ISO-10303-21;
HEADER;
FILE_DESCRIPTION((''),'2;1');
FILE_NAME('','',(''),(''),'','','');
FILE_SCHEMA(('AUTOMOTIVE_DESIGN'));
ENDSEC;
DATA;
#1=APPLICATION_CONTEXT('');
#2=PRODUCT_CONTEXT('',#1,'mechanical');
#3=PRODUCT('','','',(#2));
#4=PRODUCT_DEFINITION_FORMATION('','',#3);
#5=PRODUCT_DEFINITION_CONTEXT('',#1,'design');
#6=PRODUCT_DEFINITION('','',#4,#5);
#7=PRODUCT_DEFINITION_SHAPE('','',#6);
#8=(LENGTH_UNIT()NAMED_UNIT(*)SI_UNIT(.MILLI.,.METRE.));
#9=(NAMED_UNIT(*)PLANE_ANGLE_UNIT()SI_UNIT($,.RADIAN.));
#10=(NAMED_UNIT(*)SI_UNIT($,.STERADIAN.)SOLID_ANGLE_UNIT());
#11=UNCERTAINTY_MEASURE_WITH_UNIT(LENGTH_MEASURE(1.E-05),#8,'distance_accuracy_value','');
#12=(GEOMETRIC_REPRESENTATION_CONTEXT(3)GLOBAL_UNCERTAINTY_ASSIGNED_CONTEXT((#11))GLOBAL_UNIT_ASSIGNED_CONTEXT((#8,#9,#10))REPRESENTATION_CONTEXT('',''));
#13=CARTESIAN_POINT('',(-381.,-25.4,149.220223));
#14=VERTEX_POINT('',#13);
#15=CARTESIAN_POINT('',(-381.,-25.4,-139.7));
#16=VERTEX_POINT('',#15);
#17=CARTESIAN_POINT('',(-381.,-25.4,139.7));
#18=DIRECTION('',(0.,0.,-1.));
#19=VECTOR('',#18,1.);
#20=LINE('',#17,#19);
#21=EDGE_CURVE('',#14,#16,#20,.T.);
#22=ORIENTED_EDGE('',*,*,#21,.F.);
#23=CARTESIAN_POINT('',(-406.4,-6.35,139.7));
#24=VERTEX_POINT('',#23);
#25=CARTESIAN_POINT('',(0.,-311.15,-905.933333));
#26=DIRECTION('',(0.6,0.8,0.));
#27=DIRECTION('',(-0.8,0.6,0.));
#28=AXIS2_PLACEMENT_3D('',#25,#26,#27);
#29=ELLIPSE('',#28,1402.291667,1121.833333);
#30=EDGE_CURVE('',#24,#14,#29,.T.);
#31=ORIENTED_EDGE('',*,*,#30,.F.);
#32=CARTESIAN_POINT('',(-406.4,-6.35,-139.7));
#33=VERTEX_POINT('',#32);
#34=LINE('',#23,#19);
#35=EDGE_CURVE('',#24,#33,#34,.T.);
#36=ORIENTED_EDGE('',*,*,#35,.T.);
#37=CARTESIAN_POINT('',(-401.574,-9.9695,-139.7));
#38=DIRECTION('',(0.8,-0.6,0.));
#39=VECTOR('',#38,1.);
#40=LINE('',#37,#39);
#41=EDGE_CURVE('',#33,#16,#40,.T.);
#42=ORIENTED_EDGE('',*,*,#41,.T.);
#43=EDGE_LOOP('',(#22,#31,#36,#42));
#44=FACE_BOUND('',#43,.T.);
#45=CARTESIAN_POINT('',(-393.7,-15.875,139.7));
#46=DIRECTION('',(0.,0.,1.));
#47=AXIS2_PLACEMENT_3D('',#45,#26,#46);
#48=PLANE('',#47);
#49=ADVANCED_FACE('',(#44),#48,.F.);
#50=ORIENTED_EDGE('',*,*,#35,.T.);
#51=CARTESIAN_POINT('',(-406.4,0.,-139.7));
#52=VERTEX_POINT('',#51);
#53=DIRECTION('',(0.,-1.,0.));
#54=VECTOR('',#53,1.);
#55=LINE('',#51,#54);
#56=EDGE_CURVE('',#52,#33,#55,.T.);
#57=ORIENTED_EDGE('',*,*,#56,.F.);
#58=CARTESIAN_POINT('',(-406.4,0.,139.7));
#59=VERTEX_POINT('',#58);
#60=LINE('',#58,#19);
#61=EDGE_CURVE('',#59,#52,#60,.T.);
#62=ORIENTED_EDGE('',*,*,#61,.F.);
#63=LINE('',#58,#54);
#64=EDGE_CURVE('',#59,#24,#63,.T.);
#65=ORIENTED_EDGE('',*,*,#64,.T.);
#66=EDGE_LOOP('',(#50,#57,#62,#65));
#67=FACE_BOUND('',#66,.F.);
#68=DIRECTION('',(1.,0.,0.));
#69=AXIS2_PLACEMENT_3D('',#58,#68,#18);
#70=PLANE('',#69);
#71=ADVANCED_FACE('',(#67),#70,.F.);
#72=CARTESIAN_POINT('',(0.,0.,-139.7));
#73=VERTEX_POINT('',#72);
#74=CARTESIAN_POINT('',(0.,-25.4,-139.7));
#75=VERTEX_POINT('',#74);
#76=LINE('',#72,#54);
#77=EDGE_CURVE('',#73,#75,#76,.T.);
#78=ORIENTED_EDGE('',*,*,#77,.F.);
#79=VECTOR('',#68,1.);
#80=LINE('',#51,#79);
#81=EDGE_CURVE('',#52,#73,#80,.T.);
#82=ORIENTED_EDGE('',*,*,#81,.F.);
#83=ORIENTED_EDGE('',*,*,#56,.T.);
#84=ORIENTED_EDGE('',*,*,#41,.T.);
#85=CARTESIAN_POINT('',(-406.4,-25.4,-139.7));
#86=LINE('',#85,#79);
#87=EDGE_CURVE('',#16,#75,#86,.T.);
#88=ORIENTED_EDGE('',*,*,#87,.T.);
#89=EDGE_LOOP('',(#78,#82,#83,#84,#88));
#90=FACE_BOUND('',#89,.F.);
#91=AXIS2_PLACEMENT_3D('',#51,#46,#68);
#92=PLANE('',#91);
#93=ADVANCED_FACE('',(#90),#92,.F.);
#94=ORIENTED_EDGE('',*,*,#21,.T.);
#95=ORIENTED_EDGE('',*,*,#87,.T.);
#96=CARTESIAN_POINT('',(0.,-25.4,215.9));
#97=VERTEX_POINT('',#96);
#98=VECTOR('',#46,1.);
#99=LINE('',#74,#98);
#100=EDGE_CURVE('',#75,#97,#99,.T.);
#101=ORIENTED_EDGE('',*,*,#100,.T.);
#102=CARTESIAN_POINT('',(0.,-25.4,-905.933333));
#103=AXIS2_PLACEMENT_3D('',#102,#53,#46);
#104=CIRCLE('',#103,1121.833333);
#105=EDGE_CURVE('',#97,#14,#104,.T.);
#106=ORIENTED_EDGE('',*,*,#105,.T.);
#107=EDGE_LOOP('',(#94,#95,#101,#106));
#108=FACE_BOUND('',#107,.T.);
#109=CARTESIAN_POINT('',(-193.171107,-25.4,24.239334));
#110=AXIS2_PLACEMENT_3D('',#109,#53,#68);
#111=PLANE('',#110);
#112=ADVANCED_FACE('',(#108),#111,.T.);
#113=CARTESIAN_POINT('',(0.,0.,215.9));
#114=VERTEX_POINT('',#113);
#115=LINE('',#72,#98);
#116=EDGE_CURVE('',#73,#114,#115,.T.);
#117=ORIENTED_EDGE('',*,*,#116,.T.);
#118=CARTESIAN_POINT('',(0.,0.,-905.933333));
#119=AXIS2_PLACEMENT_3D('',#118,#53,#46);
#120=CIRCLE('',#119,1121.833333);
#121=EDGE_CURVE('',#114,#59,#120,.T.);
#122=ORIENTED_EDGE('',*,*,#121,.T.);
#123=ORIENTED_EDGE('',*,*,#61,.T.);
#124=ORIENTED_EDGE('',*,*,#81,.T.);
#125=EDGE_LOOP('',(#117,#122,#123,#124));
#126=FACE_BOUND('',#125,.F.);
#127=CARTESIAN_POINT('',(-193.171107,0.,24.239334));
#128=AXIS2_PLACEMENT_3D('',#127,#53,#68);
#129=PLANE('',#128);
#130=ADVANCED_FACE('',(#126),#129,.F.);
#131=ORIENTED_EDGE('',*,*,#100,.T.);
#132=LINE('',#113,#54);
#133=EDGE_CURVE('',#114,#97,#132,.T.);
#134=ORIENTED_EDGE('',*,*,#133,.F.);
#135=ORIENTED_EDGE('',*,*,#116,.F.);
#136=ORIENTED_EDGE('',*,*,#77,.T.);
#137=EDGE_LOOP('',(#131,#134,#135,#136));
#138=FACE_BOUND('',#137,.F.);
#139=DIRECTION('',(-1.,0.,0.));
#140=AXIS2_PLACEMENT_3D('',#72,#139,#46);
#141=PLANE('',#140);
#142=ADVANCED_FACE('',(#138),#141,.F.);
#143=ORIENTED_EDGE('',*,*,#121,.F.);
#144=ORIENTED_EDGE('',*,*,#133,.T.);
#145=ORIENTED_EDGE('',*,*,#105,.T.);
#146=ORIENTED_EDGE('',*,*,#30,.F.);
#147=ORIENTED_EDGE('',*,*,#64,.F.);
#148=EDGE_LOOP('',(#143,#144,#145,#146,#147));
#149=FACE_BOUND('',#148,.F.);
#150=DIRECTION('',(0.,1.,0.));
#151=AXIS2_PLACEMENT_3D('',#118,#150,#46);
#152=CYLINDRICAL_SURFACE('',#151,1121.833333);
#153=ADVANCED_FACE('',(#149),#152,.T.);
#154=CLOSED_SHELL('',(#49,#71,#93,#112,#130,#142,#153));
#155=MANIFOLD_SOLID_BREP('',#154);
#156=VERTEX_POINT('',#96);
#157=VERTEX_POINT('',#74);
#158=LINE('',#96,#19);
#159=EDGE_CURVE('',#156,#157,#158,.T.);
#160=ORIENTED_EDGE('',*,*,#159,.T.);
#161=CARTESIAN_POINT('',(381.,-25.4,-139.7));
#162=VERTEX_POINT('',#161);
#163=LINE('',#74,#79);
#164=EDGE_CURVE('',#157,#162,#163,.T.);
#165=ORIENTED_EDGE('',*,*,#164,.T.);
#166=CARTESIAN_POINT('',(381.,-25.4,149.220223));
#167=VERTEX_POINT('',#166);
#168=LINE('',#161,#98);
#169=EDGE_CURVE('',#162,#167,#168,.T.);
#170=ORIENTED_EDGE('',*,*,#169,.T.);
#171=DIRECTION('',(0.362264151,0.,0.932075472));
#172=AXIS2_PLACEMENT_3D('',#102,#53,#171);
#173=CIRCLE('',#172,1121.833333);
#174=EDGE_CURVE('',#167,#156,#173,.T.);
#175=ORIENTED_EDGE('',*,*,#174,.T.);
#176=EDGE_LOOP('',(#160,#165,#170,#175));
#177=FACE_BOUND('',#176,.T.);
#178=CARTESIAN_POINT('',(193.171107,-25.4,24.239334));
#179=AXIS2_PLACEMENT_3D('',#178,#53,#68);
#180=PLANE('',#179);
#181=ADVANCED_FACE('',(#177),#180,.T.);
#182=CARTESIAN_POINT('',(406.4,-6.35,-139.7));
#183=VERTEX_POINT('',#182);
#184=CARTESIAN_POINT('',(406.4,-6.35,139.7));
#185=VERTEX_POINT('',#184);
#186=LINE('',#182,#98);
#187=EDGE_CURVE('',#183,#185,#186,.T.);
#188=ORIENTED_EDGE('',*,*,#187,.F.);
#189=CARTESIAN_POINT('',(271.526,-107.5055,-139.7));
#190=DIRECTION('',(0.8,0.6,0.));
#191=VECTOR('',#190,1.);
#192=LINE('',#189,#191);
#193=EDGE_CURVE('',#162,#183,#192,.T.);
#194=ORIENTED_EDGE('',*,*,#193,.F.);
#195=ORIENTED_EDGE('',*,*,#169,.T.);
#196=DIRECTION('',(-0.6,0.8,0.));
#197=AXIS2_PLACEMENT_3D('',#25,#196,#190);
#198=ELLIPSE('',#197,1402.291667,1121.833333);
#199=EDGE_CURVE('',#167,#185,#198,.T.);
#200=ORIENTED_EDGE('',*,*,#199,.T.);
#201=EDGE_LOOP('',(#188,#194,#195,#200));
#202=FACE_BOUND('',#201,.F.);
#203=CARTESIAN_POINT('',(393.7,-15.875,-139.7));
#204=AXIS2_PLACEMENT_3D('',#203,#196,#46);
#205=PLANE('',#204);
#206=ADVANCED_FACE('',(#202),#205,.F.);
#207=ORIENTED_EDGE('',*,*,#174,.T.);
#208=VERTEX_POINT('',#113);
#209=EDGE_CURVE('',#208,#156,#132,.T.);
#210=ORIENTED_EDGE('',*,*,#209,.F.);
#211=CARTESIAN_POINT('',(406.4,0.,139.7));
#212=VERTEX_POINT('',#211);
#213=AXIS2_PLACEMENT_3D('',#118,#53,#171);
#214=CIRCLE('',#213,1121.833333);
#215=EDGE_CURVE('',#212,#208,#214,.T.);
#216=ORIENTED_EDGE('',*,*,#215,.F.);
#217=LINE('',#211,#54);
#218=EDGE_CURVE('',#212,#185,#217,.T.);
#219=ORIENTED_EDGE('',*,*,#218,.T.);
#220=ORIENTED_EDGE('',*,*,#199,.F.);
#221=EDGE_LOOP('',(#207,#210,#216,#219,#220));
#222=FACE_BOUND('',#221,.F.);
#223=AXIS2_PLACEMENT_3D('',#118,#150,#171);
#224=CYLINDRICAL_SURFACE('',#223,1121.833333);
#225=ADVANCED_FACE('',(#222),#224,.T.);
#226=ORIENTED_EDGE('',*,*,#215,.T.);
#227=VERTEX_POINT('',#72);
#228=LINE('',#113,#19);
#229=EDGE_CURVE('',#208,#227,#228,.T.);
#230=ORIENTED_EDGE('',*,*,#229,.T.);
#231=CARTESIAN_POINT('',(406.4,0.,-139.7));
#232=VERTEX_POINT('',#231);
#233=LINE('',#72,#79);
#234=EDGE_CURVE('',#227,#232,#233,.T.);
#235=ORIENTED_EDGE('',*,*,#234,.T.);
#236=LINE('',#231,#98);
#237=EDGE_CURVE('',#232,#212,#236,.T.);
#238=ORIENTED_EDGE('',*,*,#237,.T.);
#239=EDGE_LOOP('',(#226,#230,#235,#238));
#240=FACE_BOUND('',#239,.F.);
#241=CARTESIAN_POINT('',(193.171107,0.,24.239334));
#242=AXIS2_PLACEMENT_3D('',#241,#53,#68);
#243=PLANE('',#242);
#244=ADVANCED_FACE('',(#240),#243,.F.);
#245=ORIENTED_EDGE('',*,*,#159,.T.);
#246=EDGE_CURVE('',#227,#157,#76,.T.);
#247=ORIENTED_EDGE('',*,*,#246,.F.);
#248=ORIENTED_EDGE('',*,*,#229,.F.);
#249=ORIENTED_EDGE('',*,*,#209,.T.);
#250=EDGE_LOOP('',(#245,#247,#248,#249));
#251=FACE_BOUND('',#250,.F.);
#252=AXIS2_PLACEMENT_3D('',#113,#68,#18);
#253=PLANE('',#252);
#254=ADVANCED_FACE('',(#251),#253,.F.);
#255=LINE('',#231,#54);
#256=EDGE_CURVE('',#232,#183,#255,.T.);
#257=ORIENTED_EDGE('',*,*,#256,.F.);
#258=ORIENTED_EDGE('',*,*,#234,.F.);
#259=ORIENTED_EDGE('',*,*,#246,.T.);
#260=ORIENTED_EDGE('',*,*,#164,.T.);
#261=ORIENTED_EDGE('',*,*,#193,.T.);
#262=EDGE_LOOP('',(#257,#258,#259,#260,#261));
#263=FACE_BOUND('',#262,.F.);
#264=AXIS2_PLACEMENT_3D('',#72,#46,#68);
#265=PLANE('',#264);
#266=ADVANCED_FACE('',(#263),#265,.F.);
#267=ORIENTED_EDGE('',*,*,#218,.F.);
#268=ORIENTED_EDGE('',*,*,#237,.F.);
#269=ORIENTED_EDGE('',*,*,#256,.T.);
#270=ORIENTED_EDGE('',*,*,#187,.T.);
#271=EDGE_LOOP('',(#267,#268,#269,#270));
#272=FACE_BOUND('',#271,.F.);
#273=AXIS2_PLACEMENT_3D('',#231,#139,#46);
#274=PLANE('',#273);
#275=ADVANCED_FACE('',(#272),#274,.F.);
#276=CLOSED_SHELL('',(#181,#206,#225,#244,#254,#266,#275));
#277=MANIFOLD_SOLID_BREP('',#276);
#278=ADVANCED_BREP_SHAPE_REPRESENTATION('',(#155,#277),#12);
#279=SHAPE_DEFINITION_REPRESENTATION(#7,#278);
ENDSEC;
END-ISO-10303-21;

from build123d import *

# Parameters (mm, degrees)
F1_DEPTH = 25.4
F2_DEPTH = 25.4
F3_SIZE2 = 25.4
F3_SIZE  = 19.05
F4_SIZE2 = 19.05
F4_SIZE  = 25.4


with BuildPart() as f1:
    # F0 (on Front) → F1 (new body)
    with BuildSketch(Plane.XZ):
        with BuildLine():
            Line((-406.4, -139.7), (0, -139.7))
            Line((0, -139.7), (0, 215.9))
            ThreePointArc((0, 215.9), (-206.7410215705, 196.6854483758), (-406.4, 139.7))
            Line((-406.4, 139.7), (-406.4, -139.7))
        make_face()
    extrude(amount=F1_DEPTH)

    # F3
    f3_edges = [f1.edges().sort_by_distance(p)[0] for p in [
        (-406.4, -25.4, 0),
    ]]
    f3_side = f1.faces().sort_by_distance((-406.4, -12.7, 0))[0]
    chamfer(f3_edges, length=F3_SIZE, length2=F3_SIZE2, reference=f3_side)


with BuildPart() as f2:
    # F0 (on Front) → F2 (new body)
    with BuildSketch(Plane.XZ):
        with BuildLine():
            Line((0, -139.7), (406.4, -139.7))
            Line((406.4, -139.7), (406.4, 139.7))
            ThreePointArc((406.4, 139.7), (206.7410215705, 196.6854483758), (0, 215.9))
            Line((0, 215.9), (0, -139.7))
        make_face()
    extrude(amount=F2_DEPTH)

    # F4
    f4_edges = [f2.edges().sort_by_distance(p)[0] for p in [
        (406.4, -25.4, 0),
    ]]
    f4_side = f2.faces().sort_by_distance((195.449001, -25.4, 26.350373))[0]
    chamfer(f4_edges, length=F4_SIZE, length2=F4_SIZE2, reference=f4_side)


solid = Compound([f1.part, f2.part])
